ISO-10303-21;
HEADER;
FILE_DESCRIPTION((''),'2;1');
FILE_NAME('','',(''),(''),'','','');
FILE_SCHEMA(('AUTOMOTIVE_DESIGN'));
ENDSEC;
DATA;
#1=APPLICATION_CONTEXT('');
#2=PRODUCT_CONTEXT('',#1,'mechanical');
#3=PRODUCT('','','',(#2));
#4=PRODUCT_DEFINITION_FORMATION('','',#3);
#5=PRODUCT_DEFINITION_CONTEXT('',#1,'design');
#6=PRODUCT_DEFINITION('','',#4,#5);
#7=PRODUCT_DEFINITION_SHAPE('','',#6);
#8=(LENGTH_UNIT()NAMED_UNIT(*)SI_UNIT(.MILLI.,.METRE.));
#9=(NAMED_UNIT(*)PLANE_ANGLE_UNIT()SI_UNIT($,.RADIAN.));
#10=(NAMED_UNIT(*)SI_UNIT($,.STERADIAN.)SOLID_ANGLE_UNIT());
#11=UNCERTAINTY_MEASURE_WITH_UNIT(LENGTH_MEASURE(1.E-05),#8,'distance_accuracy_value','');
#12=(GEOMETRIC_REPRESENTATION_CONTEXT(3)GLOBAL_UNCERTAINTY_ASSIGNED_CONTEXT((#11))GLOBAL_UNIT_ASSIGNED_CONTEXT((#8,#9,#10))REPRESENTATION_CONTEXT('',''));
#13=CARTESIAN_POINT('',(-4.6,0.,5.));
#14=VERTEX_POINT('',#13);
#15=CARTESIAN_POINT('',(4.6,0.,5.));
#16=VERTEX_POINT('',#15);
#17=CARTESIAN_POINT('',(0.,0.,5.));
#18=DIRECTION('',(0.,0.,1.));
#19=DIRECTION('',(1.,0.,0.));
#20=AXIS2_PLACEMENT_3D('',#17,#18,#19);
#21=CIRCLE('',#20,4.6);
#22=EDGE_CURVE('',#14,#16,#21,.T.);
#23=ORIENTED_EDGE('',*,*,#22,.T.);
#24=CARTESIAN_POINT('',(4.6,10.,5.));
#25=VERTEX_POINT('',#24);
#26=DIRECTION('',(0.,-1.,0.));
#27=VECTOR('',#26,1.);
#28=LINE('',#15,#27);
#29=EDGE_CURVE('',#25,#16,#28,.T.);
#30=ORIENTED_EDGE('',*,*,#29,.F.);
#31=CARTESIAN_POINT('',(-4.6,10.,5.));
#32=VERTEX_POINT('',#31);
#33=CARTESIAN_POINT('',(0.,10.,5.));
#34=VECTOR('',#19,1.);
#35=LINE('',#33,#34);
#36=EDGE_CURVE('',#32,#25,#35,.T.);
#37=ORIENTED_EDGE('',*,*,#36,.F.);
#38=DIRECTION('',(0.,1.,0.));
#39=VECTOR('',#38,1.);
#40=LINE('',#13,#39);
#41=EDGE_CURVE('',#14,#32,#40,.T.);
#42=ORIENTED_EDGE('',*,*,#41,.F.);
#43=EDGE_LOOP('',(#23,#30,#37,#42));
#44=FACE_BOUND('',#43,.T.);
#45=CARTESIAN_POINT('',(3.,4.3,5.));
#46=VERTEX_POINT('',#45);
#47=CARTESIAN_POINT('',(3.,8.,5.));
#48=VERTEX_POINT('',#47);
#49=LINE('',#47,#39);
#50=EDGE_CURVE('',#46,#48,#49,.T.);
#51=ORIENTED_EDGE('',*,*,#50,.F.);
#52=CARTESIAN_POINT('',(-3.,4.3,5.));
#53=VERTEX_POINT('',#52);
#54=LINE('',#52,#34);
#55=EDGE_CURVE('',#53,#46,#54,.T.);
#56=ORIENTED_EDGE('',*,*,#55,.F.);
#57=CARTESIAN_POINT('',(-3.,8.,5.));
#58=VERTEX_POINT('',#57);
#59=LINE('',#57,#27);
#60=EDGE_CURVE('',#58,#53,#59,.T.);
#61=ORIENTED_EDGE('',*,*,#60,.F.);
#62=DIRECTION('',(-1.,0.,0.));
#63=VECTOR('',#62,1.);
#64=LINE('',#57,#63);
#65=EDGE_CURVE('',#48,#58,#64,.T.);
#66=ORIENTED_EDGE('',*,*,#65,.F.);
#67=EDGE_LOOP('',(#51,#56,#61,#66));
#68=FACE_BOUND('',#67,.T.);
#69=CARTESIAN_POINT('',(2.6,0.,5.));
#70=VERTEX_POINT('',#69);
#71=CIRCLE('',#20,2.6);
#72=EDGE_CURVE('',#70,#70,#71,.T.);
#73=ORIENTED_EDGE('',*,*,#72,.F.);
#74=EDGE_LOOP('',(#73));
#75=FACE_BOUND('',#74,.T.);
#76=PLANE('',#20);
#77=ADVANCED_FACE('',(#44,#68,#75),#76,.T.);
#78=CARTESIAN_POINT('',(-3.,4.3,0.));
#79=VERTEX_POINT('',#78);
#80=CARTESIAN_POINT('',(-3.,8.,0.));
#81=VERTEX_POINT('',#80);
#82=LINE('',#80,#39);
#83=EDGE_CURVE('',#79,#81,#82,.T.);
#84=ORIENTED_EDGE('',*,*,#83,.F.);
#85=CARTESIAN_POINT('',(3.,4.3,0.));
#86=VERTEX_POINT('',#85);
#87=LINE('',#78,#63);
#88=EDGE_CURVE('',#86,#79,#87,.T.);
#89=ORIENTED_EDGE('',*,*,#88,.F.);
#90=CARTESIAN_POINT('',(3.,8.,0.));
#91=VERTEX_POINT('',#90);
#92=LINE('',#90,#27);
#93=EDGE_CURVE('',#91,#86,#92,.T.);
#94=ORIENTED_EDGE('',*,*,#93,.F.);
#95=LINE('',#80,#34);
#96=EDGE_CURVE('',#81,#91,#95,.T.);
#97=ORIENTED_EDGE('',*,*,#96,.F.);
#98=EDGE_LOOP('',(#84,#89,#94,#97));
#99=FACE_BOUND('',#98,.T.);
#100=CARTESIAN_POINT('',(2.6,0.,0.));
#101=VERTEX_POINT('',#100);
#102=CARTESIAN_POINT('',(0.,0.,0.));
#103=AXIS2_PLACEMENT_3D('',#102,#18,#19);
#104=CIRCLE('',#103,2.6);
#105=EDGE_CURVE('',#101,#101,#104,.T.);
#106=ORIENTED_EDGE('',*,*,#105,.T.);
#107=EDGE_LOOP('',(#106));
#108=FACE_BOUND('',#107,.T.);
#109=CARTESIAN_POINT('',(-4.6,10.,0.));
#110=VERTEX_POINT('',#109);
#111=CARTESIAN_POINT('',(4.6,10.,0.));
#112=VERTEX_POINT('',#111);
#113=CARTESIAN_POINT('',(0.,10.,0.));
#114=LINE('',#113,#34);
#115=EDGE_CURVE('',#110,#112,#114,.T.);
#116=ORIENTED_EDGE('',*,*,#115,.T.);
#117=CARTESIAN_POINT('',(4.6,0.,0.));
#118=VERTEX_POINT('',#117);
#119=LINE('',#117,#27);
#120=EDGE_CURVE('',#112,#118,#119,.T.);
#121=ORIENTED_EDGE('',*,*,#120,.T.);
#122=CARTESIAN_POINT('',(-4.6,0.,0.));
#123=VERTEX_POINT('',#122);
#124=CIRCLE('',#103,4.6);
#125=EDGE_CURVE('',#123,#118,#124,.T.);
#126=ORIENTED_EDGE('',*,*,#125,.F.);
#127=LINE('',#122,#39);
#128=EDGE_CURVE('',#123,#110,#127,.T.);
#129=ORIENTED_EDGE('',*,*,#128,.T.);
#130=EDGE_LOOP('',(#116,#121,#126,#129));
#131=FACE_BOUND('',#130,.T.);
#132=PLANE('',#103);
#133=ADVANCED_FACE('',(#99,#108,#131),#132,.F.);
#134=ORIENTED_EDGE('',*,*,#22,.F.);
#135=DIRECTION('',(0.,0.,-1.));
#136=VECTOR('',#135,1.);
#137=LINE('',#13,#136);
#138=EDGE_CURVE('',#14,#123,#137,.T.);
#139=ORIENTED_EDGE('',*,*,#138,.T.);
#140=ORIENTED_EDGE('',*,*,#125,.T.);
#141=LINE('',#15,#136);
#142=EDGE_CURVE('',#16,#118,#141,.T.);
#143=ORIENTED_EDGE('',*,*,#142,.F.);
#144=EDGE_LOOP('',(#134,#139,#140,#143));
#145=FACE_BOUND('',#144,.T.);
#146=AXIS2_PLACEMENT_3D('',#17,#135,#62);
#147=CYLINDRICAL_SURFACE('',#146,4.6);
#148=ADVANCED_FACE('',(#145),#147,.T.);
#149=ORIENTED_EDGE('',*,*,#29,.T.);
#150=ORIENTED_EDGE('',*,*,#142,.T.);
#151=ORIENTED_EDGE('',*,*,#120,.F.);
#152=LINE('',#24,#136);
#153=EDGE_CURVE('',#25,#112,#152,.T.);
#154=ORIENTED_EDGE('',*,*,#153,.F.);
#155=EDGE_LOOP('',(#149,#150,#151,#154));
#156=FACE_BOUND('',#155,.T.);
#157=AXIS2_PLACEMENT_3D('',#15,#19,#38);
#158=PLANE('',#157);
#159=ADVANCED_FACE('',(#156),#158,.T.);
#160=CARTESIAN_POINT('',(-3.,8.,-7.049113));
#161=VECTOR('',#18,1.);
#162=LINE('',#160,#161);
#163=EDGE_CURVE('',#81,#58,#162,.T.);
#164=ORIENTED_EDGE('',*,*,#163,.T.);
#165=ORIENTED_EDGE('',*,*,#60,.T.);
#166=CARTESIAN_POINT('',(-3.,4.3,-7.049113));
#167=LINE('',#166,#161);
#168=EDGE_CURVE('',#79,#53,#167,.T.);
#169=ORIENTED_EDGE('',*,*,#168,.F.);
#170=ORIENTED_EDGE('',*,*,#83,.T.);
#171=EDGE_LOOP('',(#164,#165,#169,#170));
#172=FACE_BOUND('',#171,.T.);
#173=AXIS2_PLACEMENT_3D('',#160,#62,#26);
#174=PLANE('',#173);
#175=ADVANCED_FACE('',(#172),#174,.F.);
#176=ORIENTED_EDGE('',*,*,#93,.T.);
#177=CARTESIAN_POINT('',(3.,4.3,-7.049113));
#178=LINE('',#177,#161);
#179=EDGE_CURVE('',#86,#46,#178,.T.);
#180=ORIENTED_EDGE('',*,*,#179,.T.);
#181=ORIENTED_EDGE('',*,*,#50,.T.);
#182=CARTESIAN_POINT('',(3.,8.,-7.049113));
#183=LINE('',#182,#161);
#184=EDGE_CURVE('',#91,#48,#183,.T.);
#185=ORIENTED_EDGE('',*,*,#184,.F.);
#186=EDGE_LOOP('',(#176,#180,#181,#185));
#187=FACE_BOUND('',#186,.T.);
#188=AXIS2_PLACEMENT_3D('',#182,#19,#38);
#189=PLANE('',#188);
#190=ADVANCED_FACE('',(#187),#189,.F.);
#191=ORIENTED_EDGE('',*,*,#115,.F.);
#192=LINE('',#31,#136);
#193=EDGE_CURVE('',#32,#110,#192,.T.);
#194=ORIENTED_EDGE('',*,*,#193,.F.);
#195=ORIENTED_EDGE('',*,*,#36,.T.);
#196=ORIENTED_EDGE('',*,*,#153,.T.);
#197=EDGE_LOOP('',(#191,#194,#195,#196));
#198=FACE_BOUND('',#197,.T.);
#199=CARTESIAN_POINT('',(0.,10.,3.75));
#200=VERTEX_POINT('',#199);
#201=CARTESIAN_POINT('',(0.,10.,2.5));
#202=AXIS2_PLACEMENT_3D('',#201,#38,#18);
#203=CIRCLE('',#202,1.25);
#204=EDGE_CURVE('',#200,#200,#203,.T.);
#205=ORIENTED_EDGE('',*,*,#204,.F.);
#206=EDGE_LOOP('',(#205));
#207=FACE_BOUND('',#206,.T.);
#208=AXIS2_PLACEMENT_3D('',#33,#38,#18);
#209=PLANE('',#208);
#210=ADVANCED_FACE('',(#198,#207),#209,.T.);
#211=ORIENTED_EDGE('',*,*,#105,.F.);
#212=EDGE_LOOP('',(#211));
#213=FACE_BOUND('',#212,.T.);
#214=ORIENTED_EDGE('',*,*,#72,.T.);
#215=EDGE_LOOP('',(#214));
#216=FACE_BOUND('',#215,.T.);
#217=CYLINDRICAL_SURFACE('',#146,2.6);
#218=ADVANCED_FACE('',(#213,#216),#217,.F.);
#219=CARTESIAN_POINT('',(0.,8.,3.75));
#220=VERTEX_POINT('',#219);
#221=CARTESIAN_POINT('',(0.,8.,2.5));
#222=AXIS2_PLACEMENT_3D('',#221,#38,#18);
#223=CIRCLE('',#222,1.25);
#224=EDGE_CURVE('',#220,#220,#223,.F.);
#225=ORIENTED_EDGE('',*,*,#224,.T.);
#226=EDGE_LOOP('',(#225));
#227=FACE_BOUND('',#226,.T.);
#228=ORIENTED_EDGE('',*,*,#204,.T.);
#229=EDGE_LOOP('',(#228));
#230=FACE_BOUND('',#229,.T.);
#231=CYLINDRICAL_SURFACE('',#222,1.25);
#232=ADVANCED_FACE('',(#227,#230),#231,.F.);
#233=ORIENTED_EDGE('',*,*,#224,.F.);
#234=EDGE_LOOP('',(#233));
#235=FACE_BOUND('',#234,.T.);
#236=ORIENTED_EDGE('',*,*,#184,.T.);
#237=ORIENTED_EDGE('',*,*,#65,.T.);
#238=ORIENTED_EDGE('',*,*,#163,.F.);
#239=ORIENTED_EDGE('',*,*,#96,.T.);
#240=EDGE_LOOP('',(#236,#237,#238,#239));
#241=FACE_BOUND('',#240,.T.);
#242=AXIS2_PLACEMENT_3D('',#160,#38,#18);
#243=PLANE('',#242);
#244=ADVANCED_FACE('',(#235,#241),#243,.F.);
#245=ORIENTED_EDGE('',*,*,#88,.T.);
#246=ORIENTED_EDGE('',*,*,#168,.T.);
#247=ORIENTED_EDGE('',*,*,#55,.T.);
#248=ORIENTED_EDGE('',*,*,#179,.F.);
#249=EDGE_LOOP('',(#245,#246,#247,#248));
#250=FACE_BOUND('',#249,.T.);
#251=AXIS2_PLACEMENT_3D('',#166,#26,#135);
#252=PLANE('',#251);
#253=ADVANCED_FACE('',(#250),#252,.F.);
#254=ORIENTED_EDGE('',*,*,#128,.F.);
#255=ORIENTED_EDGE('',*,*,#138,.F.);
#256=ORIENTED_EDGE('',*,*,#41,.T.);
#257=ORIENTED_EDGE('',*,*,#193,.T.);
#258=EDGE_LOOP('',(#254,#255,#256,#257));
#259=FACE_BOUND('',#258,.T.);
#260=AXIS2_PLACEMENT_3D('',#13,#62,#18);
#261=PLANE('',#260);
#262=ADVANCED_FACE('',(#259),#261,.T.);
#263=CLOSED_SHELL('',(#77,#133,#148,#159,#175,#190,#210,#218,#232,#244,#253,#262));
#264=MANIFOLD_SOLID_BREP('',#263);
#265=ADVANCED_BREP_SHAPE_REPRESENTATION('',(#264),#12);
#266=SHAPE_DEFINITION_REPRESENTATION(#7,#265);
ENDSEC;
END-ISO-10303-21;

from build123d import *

# Parameters (mm, degrees)
SKETCH1_R           = 2.6
BOSS_EXTRUDE1_DEPTH = 5
SKETCH2_R           = 1.25
CUT_EXTRUDE1_DEPTH  = 2
SKETCH3_W           = 6
SKETCH3_H           = 3.7
CUT_EXTRUDE2_DEPTH  = 5


with BuildPart() as part:
    # Sketch1 → Boss-Extrude1 (new body)
    with BuildSketch(Plane.XY):
        with BuildLine():
            Line((-4.6, 0), (-4.6, 10))
            Line((-4.6, 10), (4.6, 10))
            Line((4.6, 10), (4.6, 0))
            ThreePointArc((4.6, 0), (0, -4.6), (-4.6, 0))
        make_face()
        Circle(SKETCH1_R, mode=Mode.SUBTRACT)
    extrude(amount=BOSS_EXTRUDE1_DEPTH)

    # Sketch2 → Cut-Extrude1 (cut)
    with BuildSketch(Plane(origin=(0, 10, 0), x_dir=(1, 0, 0), z_dir=(0, 1, 0))):
        with Locations(Location((0, -2.5, 0), (0, 0, 270))):
            Circle(SKETCH2_R)
    extrude(amount=-CUT_EXTRUDE1_DEPTH, mode=Mode.SUBTRACT)

    # Sketch3 → Cut-Extrude2 (cut)
    with BuildSketch(Plane.XY.offset(5)):
        with Locations((0, 6.15)):
            Rectangle(SKETCH3_W, SKETCH3_H)
    extrude(amount=-CUT_EXTRUDE2_DEPTH, mode=Mode.SUBTRACT)


solid = part.part
